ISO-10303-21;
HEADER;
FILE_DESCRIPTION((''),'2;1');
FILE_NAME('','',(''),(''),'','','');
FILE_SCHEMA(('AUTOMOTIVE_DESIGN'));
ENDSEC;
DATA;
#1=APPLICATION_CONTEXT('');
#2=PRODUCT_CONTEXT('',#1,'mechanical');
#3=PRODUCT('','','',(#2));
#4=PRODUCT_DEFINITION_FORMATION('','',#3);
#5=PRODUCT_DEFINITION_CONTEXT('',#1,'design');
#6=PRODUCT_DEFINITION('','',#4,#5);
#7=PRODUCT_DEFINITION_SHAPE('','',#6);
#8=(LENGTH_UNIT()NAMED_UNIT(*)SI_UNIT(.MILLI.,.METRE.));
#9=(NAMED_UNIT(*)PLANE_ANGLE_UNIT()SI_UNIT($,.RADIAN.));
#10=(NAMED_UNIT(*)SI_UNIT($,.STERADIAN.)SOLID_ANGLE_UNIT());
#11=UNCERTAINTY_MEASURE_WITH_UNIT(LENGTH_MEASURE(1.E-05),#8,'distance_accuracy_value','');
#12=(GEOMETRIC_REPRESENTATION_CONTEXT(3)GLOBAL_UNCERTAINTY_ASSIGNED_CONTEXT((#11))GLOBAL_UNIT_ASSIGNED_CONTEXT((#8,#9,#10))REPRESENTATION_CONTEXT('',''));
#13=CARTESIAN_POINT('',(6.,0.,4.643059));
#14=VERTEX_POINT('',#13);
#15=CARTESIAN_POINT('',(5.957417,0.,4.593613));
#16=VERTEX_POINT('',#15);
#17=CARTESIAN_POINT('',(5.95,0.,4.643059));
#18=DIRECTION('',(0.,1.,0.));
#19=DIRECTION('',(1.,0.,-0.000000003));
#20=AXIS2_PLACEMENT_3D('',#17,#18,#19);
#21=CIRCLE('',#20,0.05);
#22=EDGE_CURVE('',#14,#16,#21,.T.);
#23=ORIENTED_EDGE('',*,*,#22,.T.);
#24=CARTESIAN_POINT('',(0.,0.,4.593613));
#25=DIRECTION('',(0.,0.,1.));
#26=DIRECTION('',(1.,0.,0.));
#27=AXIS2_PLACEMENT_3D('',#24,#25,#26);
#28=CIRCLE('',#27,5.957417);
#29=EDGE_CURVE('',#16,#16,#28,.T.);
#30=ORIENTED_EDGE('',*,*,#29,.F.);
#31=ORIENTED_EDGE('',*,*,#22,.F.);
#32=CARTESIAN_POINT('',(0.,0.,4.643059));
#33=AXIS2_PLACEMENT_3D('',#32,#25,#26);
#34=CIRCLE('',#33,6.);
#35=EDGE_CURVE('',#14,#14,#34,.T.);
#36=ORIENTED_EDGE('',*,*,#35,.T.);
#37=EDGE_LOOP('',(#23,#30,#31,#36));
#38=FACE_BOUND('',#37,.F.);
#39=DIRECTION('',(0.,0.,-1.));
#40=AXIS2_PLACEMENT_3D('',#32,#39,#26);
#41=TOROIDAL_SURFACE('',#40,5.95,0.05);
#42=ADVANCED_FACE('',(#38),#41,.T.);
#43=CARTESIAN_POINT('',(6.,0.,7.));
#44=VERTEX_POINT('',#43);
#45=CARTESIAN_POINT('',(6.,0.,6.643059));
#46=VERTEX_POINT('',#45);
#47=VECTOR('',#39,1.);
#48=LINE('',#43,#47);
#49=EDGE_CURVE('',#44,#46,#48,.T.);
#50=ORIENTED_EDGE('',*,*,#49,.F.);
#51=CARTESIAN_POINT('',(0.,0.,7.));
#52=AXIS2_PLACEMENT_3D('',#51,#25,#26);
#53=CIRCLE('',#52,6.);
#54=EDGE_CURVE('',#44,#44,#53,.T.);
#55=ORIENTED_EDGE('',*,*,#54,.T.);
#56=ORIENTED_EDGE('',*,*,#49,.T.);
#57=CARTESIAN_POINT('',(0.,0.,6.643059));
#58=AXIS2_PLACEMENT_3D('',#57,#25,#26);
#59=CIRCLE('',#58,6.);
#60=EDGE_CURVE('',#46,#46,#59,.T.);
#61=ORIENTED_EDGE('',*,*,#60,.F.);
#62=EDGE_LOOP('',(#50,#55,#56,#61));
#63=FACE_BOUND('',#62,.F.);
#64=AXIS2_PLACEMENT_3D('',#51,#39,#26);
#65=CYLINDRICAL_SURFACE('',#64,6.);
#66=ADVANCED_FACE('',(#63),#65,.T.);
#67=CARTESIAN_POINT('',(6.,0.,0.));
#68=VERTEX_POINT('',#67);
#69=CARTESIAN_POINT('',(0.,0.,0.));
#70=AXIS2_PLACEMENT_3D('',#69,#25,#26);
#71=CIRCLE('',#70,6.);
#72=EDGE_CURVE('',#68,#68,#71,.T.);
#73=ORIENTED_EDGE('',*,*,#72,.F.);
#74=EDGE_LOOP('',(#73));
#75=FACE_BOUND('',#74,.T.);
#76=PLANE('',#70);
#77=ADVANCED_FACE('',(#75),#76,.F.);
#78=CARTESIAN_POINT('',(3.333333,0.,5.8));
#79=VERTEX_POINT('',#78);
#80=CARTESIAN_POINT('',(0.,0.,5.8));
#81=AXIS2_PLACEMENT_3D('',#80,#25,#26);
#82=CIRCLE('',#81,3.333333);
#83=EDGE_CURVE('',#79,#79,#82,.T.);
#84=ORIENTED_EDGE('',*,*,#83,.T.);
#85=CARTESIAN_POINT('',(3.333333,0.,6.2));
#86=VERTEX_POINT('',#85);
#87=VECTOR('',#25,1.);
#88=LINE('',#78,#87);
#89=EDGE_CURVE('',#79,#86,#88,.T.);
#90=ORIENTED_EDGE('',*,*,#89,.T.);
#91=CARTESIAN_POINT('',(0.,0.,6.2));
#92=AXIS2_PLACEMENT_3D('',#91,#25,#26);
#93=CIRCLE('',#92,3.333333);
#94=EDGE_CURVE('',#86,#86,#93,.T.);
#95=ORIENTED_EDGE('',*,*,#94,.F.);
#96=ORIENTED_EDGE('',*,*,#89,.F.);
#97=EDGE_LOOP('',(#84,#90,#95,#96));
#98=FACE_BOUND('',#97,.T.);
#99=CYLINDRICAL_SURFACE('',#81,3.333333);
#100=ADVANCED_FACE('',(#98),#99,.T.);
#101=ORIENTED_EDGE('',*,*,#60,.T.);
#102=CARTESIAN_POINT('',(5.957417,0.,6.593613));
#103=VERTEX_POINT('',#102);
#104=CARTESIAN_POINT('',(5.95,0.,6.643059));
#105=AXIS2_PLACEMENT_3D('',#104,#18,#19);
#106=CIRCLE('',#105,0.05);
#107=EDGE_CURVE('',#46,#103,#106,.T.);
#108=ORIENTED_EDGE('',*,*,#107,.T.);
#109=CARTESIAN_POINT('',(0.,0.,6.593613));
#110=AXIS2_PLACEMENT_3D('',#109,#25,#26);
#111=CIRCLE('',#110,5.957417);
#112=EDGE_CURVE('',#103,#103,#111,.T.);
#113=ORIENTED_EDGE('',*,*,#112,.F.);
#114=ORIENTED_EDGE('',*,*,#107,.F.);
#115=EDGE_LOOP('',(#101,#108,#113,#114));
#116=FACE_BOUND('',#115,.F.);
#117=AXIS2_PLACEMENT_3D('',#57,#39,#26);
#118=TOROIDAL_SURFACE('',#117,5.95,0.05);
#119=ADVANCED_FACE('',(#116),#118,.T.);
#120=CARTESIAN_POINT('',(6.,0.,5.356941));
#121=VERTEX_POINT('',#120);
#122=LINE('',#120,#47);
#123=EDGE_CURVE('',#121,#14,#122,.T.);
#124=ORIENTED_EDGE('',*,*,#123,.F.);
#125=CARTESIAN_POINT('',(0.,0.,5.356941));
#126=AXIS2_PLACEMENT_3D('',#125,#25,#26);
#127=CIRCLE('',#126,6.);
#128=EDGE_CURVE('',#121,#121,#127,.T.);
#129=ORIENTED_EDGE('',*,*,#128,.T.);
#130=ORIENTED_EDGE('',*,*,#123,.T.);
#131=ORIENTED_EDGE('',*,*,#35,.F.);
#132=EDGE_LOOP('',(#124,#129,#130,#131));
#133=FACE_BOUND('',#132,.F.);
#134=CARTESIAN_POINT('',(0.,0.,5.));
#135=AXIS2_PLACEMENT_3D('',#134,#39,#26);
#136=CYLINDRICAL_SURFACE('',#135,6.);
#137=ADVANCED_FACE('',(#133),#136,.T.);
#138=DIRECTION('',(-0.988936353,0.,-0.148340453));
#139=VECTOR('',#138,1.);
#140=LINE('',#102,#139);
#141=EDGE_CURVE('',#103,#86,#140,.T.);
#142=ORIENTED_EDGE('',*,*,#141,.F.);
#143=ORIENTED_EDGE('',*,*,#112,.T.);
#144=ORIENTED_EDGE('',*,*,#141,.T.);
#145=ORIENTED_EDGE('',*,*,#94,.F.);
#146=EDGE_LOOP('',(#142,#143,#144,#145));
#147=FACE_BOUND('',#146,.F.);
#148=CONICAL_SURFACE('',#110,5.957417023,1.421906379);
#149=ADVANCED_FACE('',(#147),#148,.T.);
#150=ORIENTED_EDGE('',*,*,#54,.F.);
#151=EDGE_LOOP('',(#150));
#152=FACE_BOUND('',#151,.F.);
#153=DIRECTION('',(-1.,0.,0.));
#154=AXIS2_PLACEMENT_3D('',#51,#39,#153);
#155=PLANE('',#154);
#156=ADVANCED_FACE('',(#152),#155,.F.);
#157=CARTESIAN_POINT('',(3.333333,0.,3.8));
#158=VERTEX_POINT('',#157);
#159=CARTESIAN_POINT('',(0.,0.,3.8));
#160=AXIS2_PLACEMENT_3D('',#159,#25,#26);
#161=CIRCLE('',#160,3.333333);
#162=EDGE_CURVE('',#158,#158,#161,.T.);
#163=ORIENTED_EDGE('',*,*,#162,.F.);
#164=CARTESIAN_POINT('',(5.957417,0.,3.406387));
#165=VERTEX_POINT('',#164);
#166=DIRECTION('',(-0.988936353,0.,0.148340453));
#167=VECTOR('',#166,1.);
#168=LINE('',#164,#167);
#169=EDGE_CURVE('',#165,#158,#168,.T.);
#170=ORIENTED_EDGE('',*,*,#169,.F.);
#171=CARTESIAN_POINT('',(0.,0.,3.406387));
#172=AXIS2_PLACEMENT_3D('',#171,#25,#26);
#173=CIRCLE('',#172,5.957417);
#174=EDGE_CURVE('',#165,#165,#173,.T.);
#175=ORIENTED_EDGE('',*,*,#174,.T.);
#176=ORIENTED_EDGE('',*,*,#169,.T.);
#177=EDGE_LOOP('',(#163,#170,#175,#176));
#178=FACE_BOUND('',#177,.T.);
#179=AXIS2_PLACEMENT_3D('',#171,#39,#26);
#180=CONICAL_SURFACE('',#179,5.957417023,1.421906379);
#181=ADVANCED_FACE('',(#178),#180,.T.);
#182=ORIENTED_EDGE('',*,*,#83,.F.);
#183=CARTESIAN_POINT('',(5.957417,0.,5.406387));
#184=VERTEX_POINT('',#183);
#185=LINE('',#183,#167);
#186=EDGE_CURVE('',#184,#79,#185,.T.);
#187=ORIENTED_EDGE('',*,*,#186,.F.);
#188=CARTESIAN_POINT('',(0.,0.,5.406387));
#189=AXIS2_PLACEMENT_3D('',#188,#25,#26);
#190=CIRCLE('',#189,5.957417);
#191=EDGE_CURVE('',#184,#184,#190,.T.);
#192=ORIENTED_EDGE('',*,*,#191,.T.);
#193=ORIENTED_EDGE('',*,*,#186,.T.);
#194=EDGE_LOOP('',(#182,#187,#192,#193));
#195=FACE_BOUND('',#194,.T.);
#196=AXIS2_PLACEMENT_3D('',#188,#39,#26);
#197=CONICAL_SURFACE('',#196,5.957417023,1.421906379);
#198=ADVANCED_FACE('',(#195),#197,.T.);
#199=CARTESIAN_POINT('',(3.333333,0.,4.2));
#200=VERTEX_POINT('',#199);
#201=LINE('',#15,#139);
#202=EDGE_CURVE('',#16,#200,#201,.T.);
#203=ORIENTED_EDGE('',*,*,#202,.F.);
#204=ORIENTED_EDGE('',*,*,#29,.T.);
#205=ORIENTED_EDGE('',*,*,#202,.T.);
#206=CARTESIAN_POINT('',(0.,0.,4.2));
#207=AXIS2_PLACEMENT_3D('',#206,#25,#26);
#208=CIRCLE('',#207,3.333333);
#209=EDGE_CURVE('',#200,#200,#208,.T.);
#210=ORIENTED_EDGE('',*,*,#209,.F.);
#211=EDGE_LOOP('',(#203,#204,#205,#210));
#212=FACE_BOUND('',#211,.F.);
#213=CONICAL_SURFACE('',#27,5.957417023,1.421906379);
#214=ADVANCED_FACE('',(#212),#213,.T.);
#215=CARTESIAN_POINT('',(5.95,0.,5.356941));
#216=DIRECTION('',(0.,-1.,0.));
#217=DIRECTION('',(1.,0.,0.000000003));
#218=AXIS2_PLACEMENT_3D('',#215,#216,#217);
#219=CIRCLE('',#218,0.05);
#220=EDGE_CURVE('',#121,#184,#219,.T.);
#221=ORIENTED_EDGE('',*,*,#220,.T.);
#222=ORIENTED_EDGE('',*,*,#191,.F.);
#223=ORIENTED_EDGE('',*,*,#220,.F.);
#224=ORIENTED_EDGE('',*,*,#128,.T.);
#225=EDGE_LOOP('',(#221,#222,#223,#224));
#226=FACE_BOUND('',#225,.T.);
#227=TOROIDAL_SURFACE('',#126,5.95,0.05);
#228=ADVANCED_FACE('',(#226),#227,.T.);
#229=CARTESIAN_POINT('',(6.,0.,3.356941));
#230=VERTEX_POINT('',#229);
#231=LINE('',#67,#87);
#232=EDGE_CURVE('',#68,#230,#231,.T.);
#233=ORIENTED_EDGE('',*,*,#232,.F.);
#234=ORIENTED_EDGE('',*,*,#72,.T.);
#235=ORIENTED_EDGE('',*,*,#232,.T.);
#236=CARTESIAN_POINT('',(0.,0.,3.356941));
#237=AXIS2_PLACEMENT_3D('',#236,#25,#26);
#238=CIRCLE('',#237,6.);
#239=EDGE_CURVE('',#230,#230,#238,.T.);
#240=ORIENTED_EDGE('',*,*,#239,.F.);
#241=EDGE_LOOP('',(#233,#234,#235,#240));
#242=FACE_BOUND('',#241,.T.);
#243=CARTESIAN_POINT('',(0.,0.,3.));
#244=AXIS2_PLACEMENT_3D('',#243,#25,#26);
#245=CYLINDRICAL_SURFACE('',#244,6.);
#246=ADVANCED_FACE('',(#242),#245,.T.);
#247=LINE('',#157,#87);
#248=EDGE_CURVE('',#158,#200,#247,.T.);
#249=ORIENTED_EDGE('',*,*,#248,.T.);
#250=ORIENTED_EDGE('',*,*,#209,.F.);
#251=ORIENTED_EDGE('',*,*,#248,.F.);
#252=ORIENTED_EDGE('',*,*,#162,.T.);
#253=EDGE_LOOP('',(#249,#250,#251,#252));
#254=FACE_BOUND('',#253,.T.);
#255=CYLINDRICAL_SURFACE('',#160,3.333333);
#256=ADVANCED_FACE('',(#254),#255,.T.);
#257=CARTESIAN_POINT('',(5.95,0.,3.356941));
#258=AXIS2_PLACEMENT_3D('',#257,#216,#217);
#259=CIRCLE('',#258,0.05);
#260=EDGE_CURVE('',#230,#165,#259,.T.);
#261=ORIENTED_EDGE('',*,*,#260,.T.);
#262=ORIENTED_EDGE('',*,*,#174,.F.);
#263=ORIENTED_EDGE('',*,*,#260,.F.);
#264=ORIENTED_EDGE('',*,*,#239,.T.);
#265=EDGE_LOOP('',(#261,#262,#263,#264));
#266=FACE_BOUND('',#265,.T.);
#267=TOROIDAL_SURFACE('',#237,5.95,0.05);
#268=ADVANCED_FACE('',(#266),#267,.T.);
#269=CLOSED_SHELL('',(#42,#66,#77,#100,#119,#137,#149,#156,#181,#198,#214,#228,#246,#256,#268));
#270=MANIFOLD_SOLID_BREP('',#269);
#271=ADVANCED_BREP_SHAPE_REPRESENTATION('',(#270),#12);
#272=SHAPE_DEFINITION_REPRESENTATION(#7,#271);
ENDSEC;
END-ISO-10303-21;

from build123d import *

# Parameters (mm, degrees)
F4_DEPTH = 3


with BuildPart() as f1:
    # F0 (on Front) → F1 (revolve)
    with BuildSketch(Plane.XZ):
        with BuildLine():
            Line((0, 4), (0, 3))
            Line((0, 3), (6, 3))
            Line((6, 3), (6, 3.356940629))
            ThreePointArc((6, 3.356940629), (5.9878870105, 3.3895684458), (5.9574170226, 3.4063874466))
            Line((5.9574170226, 3.4063874466), (3.3333333333, 3.8))
            Line((3.3333333333, 3.8), (2, 4))
            Line((2, 4), (0, 4))
        make_face()
        Polygon((3.3333333333, 4), (2, 4), (3.3333333333, 3.8), align=None)
    revolve(axis=Axis((0, 0, 3.5), (0, 0, 1)))

    # F2: F1 across face


with BuildPart() as f1_1:
    add(f1.part)
    add(f1.part.mirror(Plane.XY.offset(4)))

    # F3: F1 across face


with BuildPart() as f1_2:
    add(f1_1.part)
    add(f1_1.part.mirror(Plane.XY.offset(5)))

    # F4 (add, through all): a face of the model
    f4_faces = [f1_2.faces().sort_by_distance(p)[0] for p in [
        (0, 0, 3),
    ]]
    extrude(f4_faces, amount=F4_DEPTH)


solid = f1_2.part
